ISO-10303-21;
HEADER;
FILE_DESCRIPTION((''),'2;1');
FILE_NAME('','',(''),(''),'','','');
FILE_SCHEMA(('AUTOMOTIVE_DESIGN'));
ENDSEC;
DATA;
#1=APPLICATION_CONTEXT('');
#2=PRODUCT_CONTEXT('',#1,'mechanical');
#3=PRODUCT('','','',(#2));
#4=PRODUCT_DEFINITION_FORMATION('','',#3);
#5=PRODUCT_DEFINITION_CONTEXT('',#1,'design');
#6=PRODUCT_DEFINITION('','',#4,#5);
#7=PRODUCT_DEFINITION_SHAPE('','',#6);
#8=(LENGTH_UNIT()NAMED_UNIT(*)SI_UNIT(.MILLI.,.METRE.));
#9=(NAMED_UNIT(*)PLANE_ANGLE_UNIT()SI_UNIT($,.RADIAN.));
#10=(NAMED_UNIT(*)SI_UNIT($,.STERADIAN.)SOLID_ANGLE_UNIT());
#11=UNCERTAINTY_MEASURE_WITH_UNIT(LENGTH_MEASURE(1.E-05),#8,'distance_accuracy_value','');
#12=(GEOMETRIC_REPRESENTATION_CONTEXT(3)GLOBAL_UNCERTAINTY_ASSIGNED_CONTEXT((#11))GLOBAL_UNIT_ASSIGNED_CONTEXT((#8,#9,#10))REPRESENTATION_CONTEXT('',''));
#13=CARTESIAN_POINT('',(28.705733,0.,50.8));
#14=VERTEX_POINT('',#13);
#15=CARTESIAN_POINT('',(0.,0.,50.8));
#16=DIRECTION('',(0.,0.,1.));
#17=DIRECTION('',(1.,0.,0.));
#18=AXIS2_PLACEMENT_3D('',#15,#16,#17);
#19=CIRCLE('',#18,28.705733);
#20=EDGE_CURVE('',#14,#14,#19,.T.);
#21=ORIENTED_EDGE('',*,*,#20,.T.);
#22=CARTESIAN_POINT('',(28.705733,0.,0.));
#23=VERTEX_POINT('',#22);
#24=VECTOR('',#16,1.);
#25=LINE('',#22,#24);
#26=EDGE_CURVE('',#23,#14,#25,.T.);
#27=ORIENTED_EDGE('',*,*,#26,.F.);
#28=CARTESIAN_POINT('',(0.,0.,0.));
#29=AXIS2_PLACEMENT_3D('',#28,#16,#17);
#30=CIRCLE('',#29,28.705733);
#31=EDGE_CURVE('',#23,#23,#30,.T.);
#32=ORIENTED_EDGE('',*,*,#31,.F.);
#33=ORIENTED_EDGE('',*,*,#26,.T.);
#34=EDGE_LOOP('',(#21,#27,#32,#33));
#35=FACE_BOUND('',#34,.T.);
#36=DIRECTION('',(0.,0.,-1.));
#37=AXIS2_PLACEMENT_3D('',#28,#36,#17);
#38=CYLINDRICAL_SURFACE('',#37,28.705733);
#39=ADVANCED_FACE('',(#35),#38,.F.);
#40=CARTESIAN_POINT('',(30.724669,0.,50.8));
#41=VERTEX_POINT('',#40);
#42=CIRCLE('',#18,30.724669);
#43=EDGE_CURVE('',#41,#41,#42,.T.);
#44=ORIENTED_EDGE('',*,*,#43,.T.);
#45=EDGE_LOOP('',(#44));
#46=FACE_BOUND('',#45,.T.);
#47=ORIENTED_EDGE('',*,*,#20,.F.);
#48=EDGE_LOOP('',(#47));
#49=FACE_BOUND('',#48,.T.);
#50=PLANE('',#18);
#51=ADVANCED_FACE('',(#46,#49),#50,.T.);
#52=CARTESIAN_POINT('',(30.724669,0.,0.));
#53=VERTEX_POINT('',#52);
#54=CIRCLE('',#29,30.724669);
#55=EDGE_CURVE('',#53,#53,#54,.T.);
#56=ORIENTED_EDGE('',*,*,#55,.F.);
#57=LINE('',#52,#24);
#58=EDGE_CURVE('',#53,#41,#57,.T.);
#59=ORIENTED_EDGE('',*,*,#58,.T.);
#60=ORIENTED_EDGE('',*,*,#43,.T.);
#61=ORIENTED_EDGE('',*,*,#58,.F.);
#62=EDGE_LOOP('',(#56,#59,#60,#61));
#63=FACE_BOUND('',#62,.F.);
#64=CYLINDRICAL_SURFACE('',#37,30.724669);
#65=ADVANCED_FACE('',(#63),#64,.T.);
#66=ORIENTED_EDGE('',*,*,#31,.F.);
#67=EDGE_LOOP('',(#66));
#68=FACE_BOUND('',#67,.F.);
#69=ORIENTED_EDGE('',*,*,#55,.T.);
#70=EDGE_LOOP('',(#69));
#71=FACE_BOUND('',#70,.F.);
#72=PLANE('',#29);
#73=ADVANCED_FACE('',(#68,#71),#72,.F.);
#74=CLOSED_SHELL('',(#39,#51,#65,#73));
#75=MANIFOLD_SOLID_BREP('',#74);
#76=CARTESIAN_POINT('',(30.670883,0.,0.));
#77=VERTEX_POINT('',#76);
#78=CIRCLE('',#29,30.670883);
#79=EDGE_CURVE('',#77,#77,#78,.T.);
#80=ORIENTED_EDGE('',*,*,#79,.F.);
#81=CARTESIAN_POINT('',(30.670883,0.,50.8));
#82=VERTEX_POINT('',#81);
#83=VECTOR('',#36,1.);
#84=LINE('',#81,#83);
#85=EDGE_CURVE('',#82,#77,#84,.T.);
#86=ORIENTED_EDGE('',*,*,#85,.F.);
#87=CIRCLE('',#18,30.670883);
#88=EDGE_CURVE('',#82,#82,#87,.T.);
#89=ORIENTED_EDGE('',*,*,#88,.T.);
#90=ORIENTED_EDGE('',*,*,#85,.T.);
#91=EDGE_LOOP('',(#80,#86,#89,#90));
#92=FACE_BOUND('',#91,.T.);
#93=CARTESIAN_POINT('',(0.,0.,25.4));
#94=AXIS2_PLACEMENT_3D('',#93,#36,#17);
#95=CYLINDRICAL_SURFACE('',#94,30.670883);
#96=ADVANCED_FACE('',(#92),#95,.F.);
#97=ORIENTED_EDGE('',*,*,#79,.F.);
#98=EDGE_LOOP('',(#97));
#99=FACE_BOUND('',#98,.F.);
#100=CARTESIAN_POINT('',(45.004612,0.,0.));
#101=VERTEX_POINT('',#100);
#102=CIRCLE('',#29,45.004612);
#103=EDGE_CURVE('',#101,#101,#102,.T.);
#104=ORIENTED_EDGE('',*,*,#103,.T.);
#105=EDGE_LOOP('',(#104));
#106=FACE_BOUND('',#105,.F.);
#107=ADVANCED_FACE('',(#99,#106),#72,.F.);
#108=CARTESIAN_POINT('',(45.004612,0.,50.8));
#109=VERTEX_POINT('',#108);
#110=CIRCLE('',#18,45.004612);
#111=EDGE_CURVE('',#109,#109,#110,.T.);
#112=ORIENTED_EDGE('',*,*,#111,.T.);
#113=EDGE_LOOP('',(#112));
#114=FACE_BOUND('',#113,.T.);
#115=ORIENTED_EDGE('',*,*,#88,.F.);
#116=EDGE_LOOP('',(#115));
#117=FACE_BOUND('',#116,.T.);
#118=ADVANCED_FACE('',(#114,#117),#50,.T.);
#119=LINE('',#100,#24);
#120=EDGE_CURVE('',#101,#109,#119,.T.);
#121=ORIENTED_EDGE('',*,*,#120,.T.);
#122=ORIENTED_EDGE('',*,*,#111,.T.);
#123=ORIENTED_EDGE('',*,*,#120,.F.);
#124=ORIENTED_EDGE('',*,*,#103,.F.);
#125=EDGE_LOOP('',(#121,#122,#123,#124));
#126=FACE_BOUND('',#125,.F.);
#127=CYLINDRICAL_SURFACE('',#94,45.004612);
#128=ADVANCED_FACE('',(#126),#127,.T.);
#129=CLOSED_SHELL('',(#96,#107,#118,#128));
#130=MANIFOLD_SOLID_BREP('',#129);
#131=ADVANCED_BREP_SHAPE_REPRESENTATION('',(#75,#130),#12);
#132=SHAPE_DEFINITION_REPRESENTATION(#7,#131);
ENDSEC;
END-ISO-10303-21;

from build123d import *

# Parameters (mm, degrees)
F0_R        = 45.004612
F0_R_2      = 30.670883
F1_DEPTH    = 25.4
F1_FACE_R   = 45.004612
F1_FACE_R_2 = 30.670883
F2_DEPTH    = 25.4
F3_R        = 30.724669
F3_R_2      = 28.705733
F4_DEPTH    = 50.8


with BuildPart() as f1:
    # F0 (on Top) → F1 (new body)
    with BuildSketch(Plane.XY):
        Circle(F0_R)
        Circle(F0_R_2, mode=Mode.SUBTRACT)
    extrude(amount=F1_DEPTH)

    # F1_face (on face) → F2 (join)
    with BuildSketch(Plane.XY.offset(25.4)):
        Circle(F1_FACE_R)
        Circle(F1_FACE_R_2, mode=Mode.SUBTRACT)
    extrude(amount=F2_DEPTH)


with BuildPart() as f4:
    # F3 (on Top) → F4 (new body)
    with BuildSketch(Plane.XY):
        Circle(F3_R)
        Circle(F3_R_2, mode=Mode.SUBTRACT)
    extrude(amount=F4_DEPTH)


solid = Compound([f1.part, f4.part])
